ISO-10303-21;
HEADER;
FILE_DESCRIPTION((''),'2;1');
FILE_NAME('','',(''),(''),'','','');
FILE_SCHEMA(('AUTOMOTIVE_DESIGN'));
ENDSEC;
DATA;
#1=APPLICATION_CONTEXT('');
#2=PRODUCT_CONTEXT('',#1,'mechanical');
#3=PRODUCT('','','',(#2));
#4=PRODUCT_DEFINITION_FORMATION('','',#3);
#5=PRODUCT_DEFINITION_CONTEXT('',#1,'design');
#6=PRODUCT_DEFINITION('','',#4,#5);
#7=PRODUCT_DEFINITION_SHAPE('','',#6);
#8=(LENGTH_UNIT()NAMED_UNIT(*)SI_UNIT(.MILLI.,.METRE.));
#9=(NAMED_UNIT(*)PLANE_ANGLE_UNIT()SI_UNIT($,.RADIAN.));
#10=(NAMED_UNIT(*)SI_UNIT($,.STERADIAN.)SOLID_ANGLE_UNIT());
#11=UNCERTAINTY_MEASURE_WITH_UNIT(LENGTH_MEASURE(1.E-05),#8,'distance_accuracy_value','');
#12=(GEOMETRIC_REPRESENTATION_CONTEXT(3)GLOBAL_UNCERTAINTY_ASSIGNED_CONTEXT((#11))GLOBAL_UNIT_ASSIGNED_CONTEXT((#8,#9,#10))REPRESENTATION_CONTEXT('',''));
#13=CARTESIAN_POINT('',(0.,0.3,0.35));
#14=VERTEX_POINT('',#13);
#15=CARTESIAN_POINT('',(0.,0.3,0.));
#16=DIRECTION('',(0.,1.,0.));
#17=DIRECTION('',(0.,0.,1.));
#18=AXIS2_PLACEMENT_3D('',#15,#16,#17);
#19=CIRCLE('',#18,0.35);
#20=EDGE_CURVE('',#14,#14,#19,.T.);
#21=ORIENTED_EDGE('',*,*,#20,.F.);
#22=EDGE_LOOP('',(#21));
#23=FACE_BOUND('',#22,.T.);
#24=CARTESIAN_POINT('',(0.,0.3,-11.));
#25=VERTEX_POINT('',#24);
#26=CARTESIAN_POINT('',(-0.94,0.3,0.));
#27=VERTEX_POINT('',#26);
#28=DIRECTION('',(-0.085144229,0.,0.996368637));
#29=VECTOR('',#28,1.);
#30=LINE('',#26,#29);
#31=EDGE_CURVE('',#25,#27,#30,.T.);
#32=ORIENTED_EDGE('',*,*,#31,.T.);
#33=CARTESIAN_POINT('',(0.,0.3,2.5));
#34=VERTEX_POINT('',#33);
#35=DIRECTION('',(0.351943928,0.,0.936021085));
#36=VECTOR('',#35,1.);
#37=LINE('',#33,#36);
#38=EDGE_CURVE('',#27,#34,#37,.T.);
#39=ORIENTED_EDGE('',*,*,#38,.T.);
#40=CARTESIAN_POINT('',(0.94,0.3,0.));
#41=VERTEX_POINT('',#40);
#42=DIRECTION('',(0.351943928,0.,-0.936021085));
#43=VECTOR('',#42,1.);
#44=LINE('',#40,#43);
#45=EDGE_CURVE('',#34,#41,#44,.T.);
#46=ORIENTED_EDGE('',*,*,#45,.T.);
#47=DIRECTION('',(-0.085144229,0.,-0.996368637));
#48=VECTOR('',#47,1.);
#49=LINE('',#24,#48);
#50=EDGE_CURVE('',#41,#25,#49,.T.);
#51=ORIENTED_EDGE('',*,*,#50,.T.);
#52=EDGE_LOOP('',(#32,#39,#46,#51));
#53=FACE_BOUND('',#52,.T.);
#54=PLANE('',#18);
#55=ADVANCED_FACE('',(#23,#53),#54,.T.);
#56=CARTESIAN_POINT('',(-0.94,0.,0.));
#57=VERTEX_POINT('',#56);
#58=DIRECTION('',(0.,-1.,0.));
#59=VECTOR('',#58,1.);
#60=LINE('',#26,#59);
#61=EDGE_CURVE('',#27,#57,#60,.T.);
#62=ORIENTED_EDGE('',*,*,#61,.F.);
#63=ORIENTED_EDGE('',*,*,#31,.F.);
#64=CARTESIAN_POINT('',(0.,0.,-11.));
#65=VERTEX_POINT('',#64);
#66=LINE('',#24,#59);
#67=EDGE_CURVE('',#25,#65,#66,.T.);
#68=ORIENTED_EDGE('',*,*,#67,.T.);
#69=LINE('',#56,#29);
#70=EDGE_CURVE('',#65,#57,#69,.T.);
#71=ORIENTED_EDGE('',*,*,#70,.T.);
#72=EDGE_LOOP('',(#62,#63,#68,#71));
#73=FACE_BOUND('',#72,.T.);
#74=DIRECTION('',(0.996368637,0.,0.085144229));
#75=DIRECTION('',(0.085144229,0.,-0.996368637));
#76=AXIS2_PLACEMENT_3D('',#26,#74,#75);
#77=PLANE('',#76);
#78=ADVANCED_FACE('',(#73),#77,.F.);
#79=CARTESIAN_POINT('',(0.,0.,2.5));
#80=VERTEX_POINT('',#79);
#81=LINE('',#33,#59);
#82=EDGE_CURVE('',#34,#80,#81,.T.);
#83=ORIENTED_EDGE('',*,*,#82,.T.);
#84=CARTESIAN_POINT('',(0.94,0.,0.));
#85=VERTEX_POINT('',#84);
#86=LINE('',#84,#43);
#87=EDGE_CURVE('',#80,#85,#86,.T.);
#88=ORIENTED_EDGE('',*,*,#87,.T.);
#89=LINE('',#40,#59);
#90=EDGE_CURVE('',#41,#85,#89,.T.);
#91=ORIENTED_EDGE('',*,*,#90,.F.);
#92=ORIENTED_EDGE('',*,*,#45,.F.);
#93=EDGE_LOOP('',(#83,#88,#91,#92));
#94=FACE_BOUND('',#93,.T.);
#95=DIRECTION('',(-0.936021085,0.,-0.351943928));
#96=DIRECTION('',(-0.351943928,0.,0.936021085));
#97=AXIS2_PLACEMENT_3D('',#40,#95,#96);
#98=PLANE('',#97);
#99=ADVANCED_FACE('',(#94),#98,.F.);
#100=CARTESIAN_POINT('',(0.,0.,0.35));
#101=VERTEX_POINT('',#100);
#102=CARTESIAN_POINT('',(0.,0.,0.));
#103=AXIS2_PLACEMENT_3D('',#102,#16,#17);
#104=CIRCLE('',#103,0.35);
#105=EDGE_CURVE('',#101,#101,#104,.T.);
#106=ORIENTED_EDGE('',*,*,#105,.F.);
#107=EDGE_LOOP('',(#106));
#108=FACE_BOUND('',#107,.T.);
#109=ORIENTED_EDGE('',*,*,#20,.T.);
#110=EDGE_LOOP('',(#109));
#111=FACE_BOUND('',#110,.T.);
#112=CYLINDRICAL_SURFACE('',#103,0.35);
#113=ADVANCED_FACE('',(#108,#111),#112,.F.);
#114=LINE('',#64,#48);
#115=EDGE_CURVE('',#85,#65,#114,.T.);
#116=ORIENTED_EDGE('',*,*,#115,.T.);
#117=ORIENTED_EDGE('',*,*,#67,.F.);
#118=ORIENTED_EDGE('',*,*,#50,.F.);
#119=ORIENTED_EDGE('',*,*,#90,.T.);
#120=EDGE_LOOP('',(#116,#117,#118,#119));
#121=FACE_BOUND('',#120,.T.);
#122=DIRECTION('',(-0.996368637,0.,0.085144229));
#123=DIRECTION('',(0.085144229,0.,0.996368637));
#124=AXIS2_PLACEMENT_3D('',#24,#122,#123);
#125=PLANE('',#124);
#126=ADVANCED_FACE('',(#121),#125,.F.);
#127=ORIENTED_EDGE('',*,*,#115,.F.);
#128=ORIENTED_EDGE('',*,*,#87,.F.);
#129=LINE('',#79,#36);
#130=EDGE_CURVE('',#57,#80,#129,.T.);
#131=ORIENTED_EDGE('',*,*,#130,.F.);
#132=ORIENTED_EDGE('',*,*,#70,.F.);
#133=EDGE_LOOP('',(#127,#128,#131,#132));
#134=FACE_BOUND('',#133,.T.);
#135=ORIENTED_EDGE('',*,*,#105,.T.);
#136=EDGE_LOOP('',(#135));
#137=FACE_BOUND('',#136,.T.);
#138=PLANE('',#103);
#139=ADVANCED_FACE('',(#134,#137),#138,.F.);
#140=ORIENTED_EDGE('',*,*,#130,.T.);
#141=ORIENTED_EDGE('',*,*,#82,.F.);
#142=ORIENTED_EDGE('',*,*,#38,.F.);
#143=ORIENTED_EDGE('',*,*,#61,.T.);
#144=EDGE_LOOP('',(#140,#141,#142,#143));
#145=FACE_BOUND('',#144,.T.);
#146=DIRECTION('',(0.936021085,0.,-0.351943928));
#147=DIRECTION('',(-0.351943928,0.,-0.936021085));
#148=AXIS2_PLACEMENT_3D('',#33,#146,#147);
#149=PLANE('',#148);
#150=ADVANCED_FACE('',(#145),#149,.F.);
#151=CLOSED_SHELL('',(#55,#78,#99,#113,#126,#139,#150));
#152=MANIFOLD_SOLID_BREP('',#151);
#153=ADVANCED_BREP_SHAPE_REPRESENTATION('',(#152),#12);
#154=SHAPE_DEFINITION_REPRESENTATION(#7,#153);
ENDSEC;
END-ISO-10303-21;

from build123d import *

# Parameters (mm, degrees)
BOSS_EXTRUDE1_DEPTH = 0.3
SKETCH2_R           = 0.35
CUT_EXTRUDE1_DEPTH  = 0.3


with BuildPart() as part:
    # Sketch1 → Boss-Extrude1 (new body)
    with BuildSketch(Plane(origin=(0, 0, 0), x_dir=(1, 0, 0), z_dir=(0, 1, 0))):
        Polygon((-0.94, 0), (0, 11), (0.94, 0), (0, -2.5), align=None)
    extrude(amount=BOSS_EXTRUDE1_DEPTH)

    # Sketch2 → Cut-Extrude1 (cut)
    with BuildSketch(Plane(origin=(0, 0.3, 0), x_dir=(1, 0, 0), z_dir=(0, 1, 0))):
        with Locations(Location((0, 0, 0), (0, 0, 270))):
            Circle(SKETCH2_R)
    extrude(amount=-CUT_EXTRUDE1_DEPTH, mode=Mode.SUBTRACT)


solid = part.part
